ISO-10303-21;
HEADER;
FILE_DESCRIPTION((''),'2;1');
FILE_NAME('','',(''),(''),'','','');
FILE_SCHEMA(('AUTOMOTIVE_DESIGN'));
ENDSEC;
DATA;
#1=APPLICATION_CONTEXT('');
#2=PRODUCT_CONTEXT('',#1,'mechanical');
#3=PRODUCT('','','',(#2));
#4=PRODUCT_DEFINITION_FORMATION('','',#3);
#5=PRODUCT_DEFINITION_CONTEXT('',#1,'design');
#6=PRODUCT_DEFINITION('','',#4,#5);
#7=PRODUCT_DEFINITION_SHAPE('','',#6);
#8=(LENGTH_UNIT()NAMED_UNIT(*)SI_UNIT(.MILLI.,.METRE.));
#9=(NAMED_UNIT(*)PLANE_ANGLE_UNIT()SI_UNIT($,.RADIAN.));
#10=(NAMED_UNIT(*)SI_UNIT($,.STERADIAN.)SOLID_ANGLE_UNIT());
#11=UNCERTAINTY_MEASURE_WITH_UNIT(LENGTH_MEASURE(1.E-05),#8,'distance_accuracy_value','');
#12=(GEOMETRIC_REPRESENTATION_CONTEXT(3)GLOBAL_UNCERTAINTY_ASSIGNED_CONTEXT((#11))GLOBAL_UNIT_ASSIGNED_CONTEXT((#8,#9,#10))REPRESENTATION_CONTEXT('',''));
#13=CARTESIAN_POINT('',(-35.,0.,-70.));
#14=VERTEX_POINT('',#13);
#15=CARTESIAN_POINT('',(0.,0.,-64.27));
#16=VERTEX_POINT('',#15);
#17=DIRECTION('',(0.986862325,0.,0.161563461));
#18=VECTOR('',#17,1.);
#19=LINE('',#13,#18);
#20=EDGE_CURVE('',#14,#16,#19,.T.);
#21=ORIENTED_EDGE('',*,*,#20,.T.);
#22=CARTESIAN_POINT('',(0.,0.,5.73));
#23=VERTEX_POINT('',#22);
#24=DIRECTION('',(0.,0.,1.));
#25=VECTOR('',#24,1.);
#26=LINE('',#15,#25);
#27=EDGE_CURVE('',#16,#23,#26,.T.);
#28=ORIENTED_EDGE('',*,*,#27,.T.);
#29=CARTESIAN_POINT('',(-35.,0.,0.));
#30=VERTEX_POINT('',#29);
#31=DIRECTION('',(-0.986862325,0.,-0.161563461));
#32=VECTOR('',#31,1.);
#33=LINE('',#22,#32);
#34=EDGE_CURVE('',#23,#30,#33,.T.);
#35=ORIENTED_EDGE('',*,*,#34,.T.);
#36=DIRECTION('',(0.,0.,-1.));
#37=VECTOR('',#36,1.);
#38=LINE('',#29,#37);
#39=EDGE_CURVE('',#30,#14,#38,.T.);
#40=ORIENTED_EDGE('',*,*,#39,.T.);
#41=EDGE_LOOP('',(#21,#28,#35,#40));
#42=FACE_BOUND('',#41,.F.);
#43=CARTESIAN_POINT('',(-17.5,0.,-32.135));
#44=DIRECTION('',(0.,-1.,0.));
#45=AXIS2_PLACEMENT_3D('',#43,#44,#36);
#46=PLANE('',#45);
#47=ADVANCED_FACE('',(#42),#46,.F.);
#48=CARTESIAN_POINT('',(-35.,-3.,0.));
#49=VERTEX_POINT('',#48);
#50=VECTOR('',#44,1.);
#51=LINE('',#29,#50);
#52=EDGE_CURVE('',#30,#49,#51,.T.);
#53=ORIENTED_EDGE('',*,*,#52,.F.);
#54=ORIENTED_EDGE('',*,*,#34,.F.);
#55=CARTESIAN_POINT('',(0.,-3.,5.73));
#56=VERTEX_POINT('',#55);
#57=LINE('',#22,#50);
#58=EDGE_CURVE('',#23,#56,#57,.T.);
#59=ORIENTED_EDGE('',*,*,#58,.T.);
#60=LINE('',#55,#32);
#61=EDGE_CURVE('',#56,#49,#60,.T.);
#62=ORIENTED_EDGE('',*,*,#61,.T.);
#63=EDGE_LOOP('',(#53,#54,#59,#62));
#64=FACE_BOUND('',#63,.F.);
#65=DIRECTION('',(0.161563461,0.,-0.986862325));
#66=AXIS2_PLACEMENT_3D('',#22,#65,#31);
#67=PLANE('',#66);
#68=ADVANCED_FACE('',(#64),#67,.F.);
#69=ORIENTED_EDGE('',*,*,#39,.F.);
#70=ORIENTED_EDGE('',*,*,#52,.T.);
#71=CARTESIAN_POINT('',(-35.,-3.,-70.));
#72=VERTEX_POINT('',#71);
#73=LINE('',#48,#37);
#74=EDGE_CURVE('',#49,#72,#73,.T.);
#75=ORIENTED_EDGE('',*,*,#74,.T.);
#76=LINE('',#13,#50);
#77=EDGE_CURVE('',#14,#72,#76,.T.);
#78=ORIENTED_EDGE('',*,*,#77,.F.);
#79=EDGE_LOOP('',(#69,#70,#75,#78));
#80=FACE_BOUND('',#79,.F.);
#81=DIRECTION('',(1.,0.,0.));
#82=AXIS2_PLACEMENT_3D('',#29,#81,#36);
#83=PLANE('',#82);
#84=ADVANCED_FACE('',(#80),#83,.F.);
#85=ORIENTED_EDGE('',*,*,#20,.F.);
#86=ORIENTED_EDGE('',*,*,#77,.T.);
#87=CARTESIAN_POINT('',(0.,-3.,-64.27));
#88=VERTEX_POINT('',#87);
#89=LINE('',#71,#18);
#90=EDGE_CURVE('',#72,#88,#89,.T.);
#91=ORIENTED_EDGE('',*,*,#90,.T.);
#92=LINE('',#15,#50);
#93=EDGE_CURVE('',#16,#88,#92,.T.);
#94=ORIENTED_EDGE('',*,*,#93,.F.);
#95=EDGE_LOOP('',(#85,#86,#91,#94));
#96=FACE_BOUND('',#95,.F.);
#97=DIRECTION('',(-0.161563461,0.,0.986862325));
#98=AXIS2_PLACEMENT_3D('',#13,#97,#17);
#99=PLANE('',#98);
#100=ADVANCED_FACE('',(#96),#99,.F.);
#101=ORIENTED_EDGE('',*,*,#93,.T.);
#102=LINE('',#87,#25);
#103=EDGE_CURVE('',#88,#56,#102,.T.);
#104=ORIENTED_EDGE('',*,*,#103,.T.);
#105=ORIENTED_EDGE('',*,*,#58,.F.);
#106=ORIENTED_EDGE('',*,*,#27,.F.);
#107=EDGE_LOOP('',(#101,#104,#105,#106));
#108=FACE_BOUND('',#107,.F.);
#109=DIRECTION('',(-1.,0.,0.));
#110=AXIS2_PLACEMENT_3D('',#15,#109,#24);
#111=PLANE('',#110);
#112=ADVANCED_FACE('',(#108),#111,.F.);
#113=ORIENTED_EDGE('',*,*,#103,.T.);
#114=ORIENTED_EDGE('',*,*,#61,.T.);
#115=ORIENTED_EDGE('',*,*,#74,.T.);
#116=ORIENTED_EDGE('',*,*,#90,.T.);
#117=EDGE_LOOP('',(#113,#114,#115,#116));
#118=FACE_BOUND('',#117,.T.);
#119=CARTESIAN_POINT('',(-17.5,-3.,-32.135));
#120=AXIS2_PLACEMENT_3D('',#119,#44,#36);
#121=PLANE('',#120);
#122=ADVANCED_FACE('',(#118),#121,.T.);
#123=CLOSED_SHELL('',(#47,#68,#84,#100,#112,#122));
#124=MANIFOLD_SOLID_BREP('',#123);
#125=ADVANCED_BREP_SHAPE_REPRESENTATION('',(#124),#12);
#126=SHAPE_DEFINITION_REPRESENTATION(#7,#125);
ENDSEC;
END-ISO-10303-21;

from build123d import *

# Parameters (mm, degrees)
F1_DEPTH = 3
F2_ANGLE = 90


with BuildPart() as f1:
    # F0 (on Front) → F1 (new body)
    with BuildSketch(Plane.XZ):
        Polygon((-35, 0), (0, 0), (35, 0), (29.27, 35), (-35, 35), (-40.73, 35), align=None)
    extrude(amount=F1_DEPTH)


with BuildPart() as f1_1:
    # F2: moved
    add(f1.part.rotate(Axis((-35, -1.5, 0), (0, 1, 0)), F2_ANGLE))


solid = f1_1.part
